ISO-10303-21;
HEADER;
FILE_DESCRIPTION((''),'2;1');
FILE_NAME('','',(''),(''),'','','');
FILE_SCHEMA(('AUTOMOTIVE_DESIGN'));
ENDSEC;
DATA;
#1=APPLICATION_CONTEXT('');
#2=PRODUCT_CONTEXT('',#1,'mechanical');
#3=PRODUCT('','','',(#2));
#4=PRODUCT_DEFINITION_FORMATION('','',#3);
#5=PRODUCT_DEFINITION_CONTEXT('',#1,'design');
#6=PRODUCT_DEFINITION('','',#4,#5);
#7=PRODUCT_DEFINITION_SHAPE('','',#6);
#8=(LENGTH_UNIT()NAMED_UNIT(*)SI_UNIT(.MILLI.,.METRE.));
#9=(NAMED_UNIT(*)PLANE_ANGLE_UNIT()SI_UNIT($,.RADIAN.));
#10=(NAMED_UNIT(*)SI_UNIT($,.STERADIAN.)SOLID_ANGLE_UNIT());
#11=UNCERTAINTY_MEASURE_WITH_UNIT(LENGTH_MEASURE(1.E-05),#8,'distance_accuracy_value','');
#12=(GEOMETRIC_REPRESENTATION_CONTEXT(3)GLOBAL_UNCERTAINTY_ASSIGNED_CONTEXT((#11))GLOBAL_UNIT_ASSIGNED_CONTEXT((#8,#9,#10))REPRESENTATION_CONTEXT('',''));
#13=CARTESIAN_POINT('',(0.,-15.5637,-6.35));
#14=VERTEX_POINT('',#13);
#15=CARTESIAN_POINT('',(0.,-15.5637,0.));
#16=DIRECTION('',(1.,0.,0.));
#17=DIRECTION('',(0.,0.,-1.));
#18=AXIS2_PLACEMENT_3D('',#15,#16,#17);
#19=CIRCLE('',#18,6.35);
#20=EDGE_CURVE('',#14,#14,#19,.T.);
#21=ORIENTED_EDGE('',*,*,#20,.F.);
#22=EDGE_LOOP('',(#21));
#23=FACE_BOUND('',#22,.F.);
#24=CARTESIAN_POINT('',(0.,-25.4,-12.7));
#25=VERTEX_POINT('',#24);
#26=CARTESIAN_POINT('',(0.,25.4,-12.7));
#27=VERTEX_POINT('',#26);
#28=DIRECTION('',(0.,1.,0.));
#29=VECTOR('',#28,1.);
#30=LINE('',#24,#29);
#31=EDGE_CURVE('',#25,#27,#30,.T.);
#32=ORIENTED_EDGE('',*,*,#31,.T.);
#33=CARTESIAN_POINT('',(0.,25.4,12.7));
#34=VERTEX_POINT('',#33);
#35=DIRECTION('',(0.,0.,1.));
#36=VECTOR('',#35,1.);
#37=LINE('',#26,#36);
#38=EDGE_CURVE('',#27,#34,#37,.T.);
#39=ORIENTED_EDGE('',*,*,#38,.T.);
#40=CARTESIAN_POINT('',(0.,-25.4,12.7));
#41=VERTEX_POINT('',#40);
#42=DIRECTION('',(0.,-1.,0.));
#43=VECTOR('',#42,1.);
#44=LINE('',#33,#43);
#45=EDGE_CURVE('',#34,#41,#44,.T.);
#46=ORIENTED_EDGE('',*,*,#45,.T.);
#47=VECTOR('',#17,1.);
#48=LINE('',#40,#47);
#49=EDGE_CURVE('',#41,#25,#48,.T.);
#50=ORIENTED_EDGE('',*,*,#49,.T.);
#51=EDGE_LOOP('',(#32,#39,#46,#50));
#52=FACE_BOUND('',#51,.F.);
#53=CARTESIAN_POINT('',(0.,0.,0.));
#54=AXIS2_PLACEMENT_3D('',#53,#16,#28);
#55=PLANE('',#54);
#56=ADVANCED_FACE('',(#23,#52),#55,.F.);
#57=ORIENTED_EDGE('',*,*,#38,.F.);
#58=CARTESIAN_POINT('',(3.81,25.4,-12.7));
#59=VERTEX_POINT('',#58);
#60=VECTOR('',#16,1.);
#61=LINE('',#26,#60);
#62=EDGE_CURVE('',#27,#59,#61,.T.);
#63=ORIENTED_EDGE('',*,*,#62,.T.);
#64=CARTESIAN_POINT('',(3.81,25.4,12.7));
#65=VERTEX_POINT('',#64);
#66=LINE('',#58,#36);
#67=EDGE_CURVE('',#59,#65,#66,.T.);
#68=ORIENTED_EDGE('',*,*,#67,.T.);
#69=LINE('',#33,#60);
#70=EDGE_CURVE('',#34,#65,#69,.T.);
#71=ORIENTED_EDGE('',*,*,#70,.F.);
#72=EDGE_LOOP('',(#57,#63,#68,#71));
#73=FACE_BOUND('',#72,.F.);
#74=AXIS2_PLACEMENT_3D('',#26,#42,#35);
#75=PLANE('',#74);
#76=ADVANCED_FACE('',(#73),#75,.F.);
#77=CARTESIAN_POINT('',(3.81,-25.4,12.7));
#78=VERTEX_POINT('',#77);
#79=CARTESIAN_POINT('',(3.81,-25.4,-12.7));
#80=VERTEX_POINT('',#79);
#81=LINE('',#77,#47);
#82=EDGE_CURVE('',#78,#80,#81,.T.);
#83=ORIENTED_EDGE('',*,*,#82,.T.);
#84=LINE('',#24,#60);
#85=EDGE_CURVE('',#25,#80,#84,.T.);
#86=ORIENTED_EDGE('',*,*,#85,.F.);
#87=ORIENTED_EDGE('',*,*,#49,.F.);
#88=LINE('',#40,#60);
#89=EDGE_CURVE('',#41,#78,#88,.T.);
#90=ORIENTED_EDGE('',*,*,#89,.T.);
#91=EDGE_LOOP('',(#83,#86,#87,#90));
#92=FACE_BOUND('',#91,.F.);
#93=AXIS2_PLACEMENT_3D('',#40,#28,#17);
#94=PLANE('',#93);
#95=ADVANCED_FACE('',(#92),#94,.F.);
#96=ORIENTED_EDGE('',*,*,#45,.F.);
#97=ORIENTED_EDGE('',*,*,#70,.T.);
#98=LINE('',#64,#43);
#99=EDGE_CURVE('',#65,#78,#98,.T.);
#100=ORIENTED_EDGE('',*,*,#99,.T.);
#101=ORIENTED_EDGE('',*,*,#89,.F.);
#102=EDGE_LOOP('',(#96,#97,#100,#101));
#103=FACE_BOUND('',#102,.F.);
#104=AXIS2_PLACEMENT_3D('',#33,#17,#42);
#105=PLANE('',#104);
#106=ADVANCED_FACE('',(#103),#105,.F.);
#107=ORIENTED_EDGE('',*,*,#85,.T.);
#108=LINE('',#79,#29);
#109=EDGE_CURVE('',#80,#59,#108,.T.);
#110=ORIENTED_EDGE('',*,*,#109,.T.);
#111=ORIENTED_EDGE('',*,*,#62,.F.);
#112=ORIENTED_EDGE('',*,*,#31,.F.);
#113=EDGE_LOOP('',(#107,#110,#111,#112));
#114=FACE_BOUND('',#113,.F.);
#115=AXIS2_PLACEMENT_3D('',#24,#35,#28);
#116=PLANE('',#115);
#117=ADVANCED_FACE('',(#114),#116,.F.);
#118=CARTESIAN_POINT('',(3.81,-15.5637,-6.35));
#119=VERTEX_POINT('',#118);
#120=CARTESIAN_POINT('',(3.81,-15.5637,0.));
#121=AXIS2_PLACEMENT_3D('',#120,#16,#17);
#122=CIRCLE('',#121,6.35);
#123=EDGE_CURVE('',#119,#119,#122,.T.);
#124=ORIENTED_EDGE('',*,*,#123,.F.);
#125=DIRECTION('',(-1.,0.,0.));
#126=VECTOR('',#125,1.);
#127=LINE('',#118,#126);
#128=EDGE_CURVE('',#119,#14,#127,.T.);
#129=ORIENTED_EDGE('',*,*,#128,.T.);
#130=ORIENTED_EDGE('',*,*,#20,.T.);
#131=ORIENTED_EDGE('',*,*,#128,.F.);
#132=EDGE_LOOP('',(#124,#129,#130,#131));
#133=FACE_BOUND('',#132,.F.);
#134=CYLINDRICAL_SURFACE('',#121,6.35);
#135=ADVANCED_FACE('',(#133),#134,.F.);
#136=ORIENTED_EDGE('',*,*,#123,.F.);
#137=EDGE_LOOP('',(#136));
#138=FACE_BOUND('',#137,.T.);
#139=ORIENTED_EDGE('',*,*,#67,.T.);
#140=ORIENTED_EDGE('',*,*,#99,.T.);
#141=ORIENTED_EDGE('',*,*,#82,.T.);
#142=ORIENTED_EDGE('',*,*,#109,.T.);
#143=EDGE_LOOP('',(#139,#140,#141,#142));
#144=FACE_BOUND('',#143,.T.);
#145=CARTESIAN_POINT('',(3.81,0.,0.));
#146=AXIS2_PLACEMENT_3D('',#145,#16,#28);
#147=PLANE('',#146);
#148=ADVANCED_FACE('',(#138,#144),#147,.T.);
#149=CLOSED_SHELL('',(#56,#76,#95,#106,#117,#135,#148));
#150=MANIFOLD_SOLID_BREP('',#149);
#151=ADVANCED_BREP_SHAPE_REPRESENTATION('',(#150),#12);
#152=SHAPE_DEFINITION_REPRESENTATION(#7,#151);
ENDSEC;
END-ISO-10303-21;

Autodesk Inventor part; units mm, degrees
ref_plane "YZ Plane" through (0, 0, 0) normal (1, 0, 0) x (0, 1, 0)
ref_plane "XZ Plane" through (0, 0, 0) normal (0, 1, 0) x (-1, 0, 0)
ref_plane "XY Plane" through (0, 0, 0) normal (0, 0, 1) x (1, 0, 0)
sketch "Sketch1" plane through (0, 0, 0) normal (1, 0, 0) x (0, 1, 0)
  line L0 (25.4, 12.7) -> (-25.4, 12.7)
  line L1 (-25.4, 12.7) -> (-25.4, -12.7)
  line L2 (-25.4, -12.7) -> (25.4, -12.7)
  line L3 (25.4, -12.7) -> (25.4, 12.7)
  line L4 (25.4, 12.7) -> (-25.4, -12.7) construction
  line L5 (-25.4, 12.7) -> (25.4, -12.7) construction
  point P0 (0, 0)
  dimension "d0" = 50.8
  dimension "d1" = 25.4
extrude "Extrusion1" add sketch "Sketch1" along normal blind 3.81
sketch "Sketch2" plane through (3.81, 0, 0) normal (1, 0, 0) x (0, 0, -1)
  circle A0 centre (0, -15.5637) radius 6.35
  point P0 (0, 0)
  dimension "d4" = 12.7
extrude "Extrusion2" cut sketch "Sketch2" against normal blind 62.865
properties part number "Roller Mount Piece"
